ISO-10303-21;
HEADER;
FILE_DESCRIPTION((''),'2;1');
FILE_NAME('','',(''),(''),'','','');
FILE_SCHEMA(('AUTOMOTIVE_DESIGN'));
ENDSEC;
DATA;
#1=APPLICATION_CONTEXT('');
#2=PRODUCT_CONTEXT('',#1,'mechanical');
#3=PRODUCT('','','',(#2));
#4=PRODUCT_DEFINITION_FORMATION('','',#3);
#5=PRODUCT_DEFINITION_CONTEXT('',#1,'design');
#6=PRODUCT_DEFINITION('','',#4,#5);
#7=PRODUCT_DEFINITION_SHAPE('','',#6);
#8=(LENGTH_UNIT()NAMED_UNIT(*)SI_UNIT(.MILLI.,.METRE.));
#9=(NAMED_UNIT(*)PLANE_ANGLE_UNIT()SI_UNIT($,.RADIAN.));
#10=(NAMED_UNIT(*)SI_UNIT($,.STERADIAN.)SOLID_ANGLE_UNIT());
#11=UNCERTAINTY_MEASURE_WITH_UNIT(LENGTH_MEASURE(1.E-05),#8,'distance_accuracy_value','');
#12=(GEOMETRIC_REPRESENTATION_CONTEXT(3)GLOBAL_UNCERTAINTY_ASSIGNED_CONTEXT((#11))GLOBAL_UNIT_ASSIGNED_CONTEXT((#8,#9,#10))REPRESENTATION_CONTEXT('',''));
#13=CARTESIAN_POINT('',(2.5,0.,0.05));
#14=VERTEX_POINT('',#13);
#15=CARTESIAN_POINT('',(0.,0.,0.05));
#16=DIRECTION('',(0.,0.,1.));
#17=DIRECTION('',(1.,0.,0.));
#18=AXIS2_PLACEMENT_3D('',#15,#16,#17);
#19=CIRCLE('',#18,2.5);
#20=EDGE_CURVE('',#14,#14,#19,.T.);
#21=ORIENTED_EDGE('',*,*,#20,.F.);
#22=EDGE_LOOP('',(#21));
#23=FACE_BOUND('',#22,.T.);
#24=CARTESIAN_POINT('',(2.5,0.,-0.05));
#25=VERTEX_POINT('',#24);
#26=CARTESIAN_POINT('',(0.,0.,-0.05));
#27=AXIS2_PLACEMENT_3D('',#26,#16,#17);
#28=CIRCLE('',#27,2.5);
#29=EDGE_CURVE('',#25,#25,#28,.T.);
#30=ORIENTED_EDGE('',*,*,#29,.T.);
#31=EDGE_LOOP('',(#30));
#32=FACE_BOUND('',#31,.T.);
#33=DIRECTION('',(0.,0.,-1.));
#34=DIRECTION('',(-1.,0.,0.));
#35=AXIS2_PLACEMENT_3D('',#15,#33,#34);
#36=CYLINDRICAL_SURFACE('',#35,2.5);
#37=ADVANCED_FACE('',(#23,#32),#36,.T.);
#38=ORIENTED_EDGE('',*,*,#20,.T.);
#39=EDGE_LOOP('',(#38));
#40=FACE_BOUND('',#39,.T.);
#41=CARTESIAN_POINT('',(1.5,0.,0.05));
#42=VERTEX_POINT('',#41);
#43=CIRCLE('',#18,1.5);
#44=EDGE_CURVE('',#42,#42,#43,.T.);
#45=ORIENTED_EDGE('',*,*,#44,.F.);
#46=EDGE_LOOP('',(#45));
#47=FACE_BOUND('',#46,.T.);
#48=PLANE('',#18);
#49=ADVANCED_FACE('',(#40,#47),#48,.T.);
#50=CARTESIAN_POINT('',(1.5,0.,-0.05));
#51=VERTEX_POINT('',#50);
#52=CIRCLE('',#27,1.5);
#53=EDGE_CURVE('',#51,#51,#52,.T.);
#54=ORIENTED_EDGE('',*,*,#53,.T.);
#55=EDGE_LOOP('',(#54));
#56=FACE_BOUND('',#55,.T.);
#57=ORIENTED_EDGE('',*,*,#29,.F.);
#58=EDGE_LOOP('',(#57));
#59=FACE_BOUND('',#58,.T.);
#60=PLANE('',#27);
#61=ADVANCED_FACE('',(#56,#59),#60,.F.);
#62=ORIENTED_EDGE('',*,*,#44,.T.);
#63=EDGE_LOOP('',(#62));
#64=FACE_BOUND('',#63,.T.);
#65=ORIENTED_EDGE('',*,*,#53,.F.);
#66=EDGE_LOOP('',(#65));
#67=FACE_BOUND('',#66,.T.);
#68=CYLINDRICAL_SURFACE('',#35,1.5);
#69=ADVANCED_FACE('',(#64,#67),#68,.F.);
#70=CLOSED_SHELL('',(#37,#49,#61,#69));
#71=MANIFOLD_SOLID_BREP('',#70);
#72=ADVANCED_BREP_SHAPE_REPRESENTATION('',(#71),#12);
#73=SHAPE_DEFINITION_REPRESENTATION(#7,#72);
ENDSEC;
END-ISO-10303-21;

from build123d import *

# Parameters (mm, degrees)
SKETCH_1_R      = 2.5
SKETCH_1_R_2    = 1.5
EXTRUDE_1_DEPTH = 0.05


with BuildPart() as part:
    # 草图1 → 凸台-拉伸1 (new body, symmetric)
    with BuildSketch(Plane.XY):
        Circle(SKETCH_1_R)
        Circle(SKETCH_1_R_2, mode=Mode.SUBTRACT)
    extrude(amount=EXTRUDE_1_DEPTH, both=True)


solid = part.part
